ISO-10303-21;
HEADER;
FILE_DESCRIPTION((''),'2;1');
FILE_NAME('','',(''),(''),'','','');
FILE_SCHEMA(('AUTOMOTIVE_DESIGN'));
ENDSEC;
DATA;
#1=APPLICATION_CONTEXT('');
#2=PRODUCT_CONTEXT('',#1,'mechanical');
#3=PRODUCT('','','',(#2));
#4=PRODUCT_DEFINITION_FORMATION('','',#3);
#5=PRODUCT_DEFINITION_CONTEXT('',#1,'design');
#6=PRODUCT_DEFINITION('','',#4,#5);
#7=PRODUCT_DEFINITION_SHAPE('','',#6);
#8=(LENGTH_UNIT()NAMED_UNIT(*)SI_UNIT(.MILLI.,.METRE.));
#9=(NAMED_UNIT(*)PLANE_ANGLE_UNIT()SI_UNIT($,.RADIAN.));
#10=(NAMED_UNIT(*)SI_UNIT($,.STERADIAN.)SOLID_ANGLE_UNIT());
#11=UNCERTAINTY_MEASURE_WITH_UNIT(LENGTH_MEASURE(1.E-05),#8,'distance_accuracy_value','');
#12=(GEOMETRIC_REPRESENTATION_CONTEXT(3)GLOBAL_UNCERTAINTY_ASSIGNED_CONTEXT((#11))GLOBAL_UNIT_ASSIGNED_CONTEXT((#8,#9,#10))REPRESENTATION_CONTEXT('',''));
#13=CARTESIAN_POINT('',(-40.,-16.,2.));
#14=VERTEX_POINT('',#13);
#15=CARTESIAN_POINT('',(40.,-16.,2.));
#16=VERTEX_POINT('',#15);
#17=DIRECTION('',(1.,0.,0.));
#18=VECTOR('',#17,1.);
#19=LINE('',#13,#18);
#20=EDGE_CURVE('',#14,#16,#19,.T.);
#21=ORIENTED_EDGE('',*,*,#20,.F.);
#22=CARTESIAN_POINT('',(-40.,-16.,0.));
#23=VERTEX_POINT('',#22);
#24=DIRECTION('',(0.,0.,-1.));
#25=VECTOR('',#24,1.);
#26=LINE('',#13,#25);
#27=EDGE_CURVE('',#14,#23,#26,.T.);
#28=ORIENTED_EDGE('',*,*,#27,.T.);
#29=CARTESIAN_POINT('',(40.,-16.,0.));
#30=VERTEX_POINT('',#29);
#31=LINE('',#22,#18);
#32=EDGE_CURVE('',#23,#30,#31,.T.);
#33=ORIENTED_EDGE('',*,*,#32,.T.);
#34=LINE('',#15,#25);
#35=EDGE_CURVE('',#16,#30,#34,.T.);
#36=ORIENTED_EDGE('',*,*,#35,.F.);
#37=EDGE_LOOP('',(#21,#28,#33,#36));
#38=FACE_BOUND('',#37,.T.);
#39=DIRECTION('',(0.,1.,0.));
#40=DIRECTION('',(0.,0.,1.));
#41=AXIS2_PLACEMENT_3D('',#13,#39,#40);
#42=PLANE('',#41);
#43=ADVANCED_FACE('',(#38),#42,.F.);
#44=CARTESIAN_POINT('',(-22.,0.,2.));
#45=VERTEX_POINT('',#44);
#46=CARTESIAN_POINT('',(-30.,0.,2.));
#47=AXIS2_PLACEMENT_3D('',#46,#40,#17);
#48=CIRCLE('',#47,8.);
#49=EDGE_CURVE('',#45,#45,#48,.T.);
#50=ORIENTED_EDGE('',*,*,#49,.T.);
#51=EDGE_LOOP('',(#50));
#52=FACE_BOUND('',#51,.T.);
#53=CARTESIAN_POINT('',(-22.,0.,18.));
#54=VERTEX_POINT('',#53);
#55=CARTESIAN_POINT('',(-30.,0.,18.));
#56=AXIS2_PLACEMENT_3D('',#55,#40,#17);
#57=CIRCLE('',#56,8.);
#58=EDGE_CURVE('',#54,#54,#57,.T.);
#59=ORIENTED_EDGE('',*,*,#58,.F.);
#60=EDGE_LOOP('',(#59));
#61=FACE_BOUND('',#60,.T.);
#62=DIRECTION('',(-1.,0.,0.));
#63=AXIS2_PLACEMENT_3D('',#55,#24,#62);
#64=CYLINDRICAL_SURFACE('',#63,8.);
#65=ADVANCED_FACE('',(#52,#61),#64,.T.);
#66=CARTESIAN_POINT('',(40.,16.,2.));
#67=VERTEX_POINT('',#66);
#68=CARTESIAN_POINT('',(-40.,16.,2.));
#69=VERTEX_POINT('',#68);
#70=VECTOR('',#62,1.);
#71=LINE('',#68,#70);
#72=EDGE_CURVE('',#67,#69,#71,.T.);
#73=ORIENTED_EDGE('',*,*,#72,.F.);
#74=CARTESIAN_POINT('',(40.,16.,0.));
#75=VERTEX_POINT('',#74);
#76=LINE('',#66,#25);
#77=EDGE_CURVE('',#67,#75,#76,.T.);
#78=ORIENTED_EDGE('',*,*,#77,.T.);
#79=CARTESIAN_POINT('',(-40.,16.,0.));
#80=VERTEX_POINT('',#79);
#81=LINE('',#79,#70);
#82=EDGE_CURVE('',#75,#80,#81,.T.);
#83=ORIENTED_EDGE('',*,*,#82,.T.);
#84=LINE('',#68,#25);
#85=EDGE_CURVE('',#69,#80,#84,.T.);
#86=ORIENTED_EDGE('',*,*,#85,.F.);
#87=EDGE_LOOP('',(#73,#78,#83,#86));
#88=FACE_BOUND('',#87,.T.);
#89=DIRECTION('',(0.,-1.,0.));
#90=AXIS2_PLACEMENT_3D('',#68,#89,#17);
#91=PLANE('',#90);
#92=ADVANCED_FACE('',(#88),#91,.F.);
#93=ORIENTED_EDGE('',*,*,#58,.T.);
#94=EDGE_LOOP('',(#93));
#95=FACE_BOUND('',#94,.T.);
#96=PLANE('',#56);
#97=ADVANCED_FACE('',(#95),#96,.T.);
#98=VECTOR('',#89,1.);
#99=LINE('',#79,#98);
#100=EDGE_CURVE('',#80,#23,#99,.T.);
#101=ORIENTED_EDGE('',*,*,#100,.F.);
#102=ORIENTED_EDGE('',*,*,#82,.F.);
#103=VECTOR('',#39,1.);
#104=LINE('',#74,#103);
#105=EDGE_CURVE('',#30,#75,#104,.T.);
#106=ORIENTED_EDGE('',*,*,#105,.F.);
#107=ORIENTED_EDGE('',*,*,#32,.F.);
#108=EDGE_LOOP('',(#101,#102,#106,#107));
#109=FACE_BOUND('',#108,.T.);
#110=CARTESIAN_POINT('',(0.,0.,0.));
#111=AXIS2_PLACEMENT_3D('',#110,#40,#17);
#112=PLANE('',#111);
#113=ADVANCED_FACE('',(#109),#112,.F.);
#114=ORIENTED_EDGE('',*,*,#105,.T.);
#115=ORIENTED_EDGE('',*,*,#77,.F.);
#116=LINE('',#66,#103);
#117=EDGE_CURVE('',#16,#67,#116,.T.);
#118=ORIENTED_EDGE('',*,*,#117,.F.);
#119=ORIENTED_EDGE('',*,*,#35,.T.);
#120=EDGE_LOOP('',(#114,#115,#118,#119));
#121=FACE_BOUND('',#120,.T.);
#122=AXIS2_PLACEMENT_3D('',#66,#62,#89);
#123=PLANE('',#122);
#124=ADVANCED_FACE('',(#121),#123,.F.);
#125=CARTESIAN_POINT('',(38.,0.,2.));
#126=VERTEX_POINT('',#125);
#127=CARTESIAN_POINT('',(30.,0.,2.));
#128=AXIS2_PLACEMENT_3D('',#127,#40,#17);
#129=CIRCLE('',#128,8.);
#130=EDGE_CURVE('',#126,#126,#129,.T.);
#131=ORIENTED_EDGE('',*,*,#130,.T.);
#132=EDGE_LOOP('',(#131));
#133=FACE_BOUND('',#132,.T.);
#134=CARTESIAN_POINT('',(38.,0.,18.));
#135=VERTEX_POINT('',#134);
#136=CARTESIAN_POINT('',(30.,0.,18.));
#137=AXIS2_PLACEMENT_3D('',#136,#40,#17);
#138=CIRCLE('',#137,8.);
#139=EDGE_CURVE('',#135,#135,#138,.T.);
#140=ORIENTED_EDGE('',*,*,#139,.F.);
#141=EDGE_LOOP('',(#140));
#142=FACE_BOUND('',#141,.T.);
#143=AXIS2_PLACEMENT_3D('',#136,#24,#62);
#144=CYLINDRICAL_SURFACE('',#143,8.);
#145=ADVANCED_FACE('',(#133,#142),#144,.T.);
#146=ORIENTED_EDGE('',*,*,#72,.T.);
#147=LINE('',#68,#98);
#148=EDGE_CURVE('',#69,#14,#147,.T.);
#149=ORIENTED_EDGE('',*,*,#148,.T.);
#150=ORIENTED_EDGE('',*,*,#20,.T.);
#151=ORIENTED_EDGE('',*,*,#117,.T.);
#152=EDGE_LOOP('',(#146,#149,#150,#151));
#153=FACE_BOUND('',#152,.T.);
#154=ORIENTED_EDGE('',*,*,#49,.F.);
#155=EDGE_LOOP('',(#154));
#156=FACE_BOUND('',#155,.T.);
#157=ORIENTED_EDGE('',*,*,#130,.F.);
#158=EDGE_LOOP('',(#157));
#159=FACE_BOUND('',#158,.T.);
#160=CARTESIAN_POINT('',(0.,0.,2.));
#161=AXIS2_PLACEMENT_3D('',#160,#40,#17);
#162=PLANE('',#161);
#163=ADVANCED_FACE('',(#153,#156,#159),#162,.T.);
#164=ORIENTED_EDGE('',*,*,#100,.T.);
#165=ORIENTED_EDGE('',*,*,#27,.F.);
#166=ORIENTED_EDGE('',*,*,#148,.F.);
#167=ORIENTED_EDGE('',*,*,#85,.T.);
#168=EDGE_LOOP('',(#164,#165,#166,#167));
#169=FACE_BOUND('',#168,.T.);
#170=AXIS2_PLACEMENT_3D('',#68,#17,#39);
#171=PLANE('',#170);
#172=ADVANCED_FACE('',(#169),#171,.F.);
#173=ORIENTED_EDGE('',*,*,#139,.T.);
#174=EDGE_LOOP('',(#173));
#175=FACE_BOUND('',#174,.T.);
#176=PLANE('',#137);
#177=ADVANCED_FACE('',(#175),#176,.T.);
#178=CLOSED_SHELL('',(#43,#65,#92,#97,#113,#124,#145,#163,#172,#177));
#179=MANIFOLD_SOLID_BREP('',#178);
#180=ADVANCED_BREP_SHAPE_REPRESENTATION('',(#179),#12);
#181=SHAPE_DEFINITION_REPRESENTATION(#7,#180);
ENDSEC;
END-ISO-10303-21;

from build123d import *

# Parameters (mm, degrees)
SKETCH1_W           = 80
SKETCH1_H           = 32
BOSS_EXTRUDE1_DEPTH = 2
SKETCH3_R           = 8
BOSS_EXTRUDE2_DEPTH = 16


with BuildPart() as part:
    # Sketch1 → Boss-Extrude1 (new body)
    with BuildSketch(Plane.XY):
        Rectangle(SKETCH1_W, SKETCH1_H)
    extrude(amount=BOSS_EXTRUDE1_DEPTH)

    # Sketch3 → Boss-Extrude2 (add)
    with BuildSketch(Plane.XY.offset(2)):
        with Locations((-30, 0)):
            Circle(SKETCH3_R)
        with Locations((30, 0)):
            Circle(SKETCH3_R)
    extrude(amount=BOSS_EXTRUDE2_DEPTH)


solid = part.part
